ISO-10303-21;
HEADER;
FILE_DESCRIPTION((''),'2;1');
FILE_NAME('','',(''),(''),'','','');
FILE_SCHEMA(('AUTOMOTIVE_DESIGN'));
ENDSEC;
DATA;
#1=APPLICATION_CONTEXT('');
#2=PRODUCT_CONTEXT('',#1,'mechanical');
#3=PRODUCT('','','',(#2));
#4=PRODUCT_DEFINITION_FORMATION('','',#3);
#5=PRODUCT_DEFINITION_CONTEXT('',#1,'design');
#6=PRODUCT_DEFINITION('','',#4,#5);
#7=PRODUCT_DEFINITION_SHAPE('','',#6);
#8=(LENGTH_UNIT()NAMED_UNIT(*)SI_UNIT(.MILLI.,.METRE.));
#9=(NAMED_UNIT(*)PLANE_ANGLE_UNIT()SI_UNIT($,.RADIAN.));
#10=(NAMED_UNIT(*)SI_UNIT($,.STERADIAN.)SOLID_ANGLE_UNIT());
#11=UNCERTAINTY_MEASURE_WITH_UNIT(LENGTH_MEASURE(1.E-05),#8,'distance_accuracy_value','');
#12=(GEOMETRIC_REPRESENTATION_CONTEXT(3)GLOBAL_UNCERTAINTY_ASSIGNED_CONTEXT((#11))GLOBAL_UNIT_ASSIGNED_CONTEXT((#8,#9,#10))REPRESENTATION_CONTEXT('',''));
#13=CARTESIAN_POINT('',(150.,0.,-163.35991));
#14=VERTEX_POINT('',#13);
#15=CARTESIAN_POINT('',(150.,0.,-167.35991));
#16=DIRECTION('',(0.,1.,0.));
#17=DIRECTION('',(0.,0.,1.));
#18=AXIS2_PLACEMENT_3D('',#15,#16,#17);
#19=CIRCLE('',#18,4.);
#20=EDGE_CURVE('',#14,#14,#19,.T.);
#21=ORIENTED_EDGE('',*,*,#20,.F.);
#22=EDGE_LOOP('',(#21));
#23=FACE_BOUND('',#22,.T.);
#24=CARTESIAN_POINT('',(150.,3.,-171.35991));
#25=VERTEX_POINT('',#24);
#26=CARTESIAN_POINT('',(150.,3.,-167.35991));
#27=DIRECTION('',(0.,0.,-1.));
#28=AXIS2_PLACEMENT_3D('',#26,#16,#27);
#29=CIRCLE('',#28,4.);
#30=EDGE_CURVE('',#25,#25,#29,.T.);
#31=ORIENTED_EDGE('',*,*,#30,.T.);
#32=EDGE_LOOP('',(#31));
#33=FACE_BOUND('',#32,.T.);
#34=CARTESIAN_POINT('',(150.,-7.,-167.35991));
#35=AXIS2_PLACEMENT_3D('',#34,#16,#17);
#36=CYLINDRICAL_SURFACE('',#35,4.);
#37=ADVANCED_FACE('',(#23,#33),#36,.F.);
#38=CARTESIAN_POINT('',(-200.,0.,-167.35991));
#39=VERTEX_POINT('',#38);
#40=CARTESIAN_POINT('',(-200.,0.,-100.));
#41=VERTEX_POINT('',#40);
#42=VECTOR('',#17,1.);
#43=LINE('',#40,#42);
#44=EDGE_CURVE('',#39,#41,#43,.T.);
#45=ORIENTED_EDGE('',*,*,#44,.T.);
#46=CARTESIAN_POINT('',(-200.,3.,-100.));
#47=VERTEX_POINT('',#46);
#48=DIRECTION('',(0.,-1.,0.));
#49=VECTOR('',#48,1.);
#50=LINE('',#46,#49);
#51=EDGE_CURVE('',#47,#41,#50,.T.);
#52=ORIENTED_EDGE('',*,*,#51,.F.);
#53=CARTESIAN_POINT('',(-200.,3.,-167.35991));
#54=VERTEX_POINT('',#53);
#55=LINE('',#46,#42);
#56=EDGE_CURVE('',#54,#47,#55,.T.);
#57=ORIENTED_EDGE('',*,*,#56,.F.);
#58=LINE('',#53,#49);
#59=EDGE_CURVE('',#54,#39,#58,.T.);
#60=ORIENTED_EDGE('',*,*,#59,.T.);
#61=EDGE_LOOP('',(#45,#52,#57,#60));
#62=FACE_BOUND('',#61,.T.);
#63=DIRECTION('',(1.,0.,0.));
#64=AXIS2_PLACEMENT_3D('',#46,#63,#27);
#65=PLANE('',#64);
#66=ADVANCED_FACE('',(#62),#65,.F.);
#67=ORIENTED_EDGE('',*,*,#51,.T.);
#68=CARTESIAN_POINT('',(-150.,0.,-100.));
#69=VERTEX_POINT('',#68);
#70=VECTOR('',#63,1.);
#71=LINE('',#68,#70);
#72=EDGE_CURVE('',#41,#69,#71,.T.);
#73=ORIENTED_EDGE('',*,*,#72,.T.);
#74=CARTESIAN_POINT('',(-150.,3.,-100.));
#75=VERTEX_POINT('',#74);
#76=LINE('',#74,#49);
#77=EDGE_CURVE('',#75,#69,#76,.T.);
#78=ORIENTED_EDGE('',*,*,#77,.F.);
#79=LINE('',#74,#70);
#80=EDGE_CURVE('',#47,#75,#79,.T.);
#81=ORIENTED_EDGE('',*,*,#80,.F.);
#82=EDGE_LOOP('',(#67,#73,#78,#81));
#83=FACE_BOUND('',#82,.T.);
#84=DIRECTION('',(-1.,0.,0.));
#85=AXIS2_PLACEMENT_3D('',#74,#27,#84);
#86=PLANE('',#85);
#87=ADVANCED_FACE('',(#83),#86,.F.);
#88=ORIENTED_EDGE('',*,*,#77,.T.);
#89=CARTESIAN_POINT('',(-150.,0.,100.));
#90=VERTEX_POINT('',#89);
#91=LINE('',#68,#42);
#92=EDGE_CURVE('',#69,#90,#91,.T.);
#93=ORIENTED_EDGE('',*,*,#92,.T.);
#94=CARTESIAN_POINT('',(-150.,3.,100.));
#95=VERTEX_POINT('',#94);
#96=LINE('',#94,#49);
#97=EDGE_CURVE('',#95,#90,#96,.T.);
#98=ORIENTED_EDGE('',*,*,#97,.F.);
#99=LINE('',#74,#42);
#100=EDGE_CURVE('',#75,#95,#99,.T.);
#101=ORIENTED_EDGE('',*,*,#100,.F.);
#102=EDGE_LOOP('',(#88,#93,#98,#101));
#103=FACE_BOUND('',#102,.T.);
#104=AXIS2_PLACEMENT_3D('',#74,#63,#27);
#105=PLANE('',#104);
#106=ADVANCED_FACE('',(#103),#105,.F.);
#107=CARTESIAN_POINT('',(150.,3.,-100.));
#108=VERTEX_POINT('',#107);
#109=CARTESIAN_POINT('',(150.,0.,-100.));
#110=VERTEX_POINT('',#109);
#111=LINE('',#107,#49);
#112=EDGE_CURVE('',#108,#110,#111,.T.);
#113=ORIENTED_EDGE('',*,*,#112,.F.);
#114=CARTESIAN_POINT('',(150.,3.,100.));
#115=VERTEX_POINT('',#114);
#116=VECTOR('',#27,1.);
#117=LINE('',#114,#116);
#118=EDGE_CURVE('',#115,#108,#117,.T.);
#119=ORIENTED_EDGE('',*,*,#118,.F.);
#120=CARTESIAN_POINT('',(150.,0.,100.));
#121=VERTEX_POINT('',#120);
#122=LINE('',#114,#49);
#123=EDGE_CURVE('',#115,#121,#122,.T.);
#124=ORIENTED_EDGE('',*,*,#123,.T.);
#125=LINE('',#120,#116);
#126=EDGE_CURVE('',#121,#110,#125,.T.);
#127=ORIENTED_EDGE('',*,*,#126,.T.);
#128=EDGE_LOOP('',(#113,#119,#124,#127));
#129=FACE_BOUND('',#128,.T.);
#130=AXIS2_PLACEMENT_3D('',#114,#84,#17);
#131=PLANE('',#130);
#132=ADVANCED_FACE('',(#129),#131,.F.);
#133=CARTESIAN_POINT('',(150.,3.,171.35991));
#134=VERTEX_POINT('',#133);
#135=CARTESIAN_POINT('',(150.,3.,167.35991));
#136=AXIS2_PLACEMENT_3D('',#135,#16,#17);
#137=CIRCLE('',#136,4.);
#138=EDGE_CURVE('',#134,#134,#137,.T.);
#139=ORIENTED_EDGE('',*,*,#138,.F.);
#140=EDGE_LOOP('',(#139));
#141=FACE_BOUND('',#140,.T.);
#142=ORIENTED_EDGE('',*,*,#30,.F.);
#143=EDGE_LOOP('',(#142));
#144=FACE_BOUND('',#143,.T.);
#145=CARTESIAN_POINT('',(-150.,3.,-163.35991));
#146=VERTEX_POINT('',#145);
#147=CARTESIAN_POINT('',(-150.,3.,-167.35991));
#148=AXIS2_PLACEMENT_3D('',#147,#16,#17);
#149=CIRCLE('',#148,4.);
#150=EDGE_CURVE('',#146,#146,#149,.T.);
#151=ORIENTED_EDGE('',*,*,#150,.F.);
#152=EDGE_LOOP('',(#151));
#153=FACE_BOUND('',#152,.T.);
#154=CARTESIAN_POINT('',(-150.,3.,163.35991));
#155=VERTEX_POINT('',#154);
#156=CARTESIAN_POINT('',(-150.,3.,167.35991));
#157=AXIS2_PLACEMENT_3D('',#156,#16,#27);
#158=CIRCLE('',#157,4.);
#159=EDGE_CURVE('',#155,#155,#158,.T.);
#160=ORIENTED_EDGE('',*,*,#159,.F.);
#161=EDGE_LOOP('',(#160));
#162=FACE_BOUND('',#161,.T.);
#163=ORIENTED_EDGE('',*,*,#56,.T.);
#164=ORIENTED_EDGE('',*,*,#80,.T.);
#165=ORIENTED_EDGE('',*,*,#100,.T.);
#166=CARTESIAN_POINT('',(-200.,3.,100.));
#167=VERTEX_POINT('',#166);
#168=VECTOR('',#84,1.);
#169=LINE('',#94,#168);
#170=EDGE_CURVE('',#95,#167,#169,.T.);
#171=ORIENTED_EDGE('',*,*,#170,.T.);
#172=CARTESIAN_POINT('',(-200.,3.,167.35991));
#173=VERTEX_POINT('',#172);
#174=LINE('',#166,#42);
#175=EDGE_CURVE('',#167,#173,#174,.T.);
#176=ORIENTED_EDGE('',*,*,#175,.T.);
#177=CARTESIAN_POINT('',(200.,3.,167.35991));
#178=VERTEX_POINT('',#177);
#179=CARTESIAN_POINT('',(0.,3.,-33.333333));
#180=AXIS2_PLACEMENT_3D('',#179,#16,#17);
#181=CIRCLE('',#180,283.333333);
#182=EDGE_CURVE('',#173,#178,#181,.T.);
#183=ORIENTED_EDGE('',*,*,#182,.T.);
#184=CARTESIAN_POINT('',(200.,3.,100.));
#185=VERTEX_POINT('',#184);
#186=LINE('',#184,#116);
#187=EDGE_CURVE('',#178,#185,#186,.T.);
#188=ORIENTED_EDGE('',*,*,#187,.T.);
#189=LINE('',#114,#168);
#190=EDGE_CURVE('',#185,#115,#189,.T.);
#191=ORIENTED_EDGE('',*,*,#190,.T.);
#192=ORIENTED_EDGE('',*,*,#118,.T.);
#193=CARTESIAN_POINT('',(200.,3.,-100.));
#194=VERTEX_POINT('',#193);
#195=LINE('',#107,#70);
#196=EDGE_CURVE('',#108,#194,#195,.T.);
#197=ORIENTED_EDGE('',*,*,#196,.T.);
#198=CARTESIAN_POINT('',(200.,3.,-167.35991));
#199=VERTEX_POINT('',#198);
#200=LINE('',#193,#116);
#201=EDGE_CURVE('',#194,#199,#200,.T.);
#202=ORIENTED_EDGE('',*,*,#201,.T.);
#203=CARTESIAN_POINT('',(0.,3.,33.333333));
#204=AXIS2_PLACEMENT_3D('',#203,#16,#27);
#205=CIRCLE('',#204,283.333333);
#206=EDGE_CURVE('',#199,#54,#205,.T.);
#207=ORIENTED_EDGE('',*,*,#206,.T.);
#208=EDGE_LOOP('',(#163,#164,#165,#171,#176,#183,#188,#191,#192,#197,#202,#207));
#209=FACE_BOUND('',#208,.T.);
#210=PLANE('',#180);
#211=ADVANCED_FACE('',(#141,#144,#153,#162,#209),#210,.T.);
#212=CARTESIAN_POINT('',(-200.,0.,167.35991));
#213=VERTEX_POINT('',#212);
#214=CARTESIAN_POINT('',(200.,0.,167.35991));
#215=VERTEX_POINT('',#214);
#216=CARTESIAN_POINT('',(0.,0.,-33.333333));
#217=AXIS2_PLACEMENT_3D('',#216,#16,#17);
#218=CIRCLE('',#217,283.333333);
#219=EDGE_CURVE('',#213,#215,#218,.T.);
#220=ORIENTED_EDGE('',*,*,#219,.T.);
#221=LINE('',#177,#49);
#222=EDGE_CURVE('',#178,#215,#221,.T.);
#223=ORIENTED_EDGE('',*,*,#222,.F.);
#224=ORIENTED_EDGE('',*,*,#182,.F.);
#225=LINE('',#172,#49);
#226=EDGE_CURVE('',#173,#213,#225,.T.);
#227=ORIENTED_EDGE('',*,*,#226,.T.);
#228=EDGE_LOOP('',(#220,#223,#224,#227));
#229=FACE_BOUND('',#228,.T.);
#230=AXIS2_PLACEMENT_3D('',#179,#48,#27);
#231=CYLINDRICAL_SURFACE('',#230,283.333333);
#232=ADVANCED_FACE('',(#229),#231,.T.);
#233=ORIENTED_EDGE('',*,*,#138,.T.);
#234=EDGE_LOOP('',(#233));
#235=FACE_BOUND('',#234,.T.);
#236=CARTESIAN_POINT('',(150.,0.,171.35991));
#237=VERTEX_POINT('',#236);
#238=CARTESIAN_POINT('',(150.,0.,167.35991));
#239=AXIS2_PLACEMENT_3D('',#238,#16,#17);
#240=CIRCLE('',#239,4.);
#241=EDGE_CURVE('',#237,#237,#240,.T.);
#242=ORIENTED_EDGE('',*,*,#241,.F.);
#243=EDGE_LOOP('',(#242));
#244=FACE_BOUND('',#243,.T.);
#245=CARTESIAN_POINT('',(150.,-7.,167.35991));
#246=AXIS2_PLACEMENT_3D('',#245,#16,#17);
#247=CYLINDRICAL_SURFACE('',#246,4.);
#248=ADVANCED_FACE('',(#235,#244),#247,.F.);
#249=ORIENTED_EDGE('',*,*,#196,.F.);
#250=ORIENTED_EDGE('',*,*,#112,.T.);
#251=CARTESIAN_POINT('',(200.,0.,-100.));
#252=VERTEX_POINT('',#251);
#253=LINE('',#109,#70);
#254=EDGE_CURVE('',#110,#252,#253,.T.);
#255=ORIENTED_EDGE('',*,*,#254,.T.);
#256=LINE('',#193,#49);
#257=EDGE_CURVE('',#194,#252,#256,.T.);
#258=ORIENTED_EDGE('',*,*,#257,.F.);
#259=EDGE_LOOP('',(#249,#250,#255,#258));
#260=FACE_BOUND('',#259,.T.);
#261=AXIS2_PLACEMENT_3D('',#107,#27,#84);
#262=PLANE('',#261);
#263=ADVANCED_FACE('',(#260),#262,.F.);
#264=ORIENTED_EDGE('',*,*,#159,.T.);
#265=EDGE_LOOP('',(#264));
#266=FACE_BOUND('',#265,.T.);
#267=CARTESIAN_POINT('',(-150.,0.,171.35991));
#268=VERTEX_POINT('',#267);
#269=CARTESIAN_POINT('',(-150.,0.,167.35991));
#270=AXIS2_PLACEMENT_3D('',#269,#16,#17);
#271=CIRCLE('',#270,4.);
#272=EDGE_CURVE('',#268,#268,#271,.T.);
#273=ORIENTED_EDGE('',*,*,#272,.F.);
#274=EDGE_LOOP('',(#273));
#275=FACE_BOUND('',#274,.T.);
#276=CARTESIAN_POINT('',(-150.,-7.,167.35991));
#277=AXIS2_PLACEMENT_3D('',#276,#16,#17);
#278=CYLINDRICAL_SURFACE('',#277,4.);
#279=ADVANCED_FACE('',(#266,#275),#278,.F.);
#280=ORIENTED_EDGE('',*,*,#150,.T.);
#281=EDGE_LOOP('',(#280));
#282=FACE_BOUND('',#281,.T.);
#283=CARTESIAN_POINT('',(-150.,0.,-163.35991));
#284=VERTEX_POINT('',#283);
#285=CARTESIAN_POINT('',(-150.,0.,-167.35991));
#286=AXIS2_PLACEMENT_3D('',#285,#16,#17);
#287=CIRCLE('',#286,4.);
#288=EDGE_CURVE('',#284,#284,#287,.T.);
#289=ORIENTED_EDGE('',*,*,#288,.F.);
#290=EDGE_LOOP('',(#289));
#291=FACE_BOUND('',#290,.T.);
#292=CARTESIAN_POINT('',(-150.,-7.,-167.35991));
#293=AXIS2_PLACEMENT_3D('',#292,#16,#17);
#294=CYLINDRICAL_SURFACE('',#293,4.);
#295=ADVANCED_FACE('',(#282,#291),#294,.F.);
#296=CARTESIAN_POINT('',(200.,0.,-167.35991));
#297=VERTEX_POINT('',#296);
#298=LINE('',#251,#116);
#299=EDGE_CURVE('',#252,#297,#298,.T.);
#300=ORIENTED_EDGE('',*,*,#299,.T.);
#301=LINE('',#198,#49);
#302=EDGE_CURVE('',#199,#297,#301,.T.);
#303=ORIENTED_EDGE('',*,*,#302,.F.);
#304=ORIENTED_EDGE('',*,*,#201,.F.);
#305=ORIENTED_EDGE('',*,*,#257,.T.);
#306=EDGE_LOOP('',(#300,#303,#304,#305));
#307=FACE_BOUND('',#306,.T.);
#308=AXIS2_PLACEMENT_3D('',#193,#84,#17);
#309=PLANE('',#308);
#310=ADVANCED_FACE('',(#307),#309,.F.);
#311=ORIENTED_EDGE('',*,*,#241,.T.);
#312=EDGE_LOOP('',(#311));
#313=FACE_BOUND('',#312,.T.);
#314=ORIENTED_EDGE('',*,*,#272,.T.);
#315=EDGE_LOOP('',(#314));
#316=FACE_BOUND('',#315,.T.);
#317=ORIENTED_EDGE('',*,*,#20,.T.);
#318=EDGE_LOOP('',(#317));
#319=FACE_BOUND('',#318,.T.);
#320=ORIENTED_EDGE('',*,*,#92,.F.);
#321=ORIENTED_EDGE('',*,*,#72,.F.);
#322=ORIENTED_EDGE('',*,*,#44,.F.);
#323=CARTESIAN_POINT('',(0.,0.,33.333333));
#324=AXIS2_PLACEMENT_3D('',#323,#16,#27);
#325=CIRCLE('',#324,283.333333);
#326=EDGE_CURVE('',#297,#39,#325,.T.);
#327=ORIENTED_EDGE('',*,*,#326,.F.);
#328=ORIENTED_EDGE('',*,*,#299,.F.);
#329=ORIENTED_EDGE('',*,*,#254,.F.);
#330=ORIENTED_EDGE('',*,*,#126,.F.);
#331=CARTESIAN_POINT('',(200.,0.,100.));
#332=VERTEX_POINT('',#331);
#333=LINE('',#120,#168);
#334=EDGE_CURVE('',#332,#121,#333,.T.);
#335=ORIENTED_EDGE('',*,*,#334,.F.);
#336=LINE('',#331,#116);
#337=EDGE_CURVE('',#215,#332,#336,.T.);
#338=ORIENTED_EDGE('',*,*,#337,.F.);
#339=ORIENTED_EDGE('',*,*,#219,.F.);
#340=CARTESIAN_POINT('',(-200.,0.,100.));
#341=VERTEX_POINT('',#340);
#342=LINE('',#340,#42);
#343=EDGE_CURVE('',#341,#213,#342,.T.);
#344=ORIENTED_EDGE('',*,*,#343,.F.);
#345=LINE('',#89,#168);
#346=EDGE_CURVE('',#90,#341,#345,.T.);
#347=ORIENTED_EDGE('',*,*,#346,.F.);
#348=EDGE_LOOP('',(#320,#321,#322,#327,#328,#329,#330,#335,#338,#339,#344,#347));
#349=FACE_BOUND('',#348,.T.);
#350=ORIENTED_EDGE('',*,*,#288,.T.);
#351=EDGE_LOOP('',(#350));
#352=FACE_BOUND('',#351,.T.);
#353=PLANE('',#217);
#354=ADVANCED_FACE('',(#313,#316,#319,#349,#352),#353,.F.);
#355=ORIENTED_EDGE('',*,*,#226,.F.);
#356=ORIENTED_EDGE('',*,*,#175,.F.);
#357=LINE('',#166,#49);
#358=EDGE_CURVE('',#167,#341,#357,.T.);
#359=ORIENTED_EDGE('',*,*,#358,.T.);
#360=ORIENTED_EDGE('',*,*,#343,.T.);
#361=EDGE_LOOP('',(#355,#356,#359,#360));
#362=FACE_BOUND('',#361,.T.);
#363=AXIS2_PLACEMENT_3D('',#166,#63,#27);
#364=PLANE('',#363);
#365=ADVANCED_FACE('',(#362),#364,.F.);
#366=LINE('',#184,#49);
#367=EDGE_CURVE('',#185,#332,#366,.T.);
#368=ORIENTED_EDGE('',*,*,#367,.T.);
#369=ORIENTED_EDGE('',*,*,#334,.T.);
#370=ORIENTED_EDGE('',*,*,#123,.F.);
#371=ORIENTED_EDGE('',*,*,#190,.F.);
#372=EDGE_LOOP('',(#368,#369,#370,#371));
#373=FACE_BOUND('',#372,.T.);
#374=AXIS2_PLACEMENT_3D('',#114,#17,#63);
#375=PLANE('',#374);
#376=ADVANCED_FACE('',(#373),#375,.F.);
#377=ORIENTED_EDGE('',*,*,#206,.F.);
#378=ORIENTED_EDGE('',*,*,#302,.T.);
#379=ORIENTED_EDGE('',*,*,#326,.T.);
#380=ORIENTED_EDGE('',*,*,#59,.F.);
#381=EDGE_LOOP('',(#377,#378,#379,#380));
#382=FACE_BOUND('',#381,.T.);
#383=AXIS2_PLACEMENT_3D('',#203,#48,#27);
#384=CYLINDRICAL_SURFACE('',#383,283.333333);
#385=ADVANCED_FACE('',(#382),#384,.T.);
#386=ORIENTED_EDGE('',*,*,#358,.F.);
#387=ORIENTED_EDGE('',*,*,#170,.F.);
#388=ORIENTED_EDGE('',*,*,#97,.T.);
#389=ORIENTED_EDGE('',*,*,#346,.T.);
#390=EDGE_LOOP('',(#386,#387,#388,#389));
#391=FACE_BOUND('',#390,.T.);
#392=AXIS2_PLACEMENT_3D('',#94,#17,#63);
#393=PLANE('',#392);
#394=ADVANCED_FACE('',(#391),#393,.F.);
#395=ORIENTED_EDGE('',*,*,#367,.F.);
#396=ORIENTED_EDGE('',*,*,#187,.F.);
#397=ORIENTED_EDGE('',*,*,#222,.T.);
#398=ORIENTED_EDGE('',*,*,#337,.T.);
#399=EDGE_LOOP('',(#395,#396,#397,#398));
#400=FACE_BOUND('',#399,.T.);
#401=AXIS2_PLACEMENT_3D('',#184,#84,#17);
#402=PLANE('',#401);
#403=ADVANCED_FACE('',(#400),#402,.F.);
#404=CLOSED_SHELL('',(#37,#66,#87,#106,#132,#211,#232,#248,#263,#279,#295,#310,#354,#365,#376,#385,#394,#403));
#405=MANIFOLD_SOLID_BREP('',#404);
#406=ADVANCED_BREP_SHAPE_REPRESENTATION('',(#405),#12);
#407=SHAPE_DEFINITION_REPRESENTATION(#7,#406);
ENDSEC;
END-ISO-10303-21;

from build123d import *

# Parameters (mm, degrees)
BOSS_EXTRUDE1_DEPTH = 3
SKETCH4_R           = 4
CUT_EXTRUDE1_DEPTH  = 10


with BuildPart() as part:
    # Sketch3 → Boss-Extrude1 (new body)
    with BuildSketch(Plane(origin=(0, 0, 0), x_dir=(1, 0, 0), z_dir=(0, 1, 0))):
        with BuildLine():
            Line((-150, 100), (-200, 100))
            Line((-200, 100), (-200, 167.359909647))
            ThreePointArc((-200, 167.359909647), (0, 250), (200, 167.359909647))
            Line((200, 167.359909647), (200, 100))
            Line((200, 100), (150, 100))
            Line((150, 100), (150, -100))
            Line((150, -100), (200, -100))
            Line((200, -100), (200, -167.359909647))
            ThreePointArc((200, -167.359909647), (0, -250), (-200, -167.359909647))
            Line((-200, -167.359909647), (-200, -100))
            Line((-200, -100), (-150, -100))
            Line((-150, -100), (-150, 100))
        make_face()
    extrude(amount=BOSS_EXTRUDE1_DEPTH)

    # Sketch4 → Cut-Extrude1 (cut)
    with BuildSketch(Plane(origin=(0, 3, 0), x_dir=(1, 0, 0), z_dir=(0, 1, 0))):
        with Locations(Location((-150, 167.359909647, 0), (0, 0, 270))):
            Circle(SKETCH4_R)
        with Locations(Location((150, 167.359909647, 0), (0, 0, 270))):
            Circle(SKETCH4_R)
        with Locations(Location((150, -167.359909647, 0), (0, 0, 270))):
            Circle(SKETCH4_R)
        with Locations(Location((-150, -167.359909647, 0), (0, 0, 270))):
            Circle(SKETCH4_R)
    extrude(amount=-CUT_EXTRUDE1_DEPTH, mode=Mode.SUBTRACT)


solid = part.part
